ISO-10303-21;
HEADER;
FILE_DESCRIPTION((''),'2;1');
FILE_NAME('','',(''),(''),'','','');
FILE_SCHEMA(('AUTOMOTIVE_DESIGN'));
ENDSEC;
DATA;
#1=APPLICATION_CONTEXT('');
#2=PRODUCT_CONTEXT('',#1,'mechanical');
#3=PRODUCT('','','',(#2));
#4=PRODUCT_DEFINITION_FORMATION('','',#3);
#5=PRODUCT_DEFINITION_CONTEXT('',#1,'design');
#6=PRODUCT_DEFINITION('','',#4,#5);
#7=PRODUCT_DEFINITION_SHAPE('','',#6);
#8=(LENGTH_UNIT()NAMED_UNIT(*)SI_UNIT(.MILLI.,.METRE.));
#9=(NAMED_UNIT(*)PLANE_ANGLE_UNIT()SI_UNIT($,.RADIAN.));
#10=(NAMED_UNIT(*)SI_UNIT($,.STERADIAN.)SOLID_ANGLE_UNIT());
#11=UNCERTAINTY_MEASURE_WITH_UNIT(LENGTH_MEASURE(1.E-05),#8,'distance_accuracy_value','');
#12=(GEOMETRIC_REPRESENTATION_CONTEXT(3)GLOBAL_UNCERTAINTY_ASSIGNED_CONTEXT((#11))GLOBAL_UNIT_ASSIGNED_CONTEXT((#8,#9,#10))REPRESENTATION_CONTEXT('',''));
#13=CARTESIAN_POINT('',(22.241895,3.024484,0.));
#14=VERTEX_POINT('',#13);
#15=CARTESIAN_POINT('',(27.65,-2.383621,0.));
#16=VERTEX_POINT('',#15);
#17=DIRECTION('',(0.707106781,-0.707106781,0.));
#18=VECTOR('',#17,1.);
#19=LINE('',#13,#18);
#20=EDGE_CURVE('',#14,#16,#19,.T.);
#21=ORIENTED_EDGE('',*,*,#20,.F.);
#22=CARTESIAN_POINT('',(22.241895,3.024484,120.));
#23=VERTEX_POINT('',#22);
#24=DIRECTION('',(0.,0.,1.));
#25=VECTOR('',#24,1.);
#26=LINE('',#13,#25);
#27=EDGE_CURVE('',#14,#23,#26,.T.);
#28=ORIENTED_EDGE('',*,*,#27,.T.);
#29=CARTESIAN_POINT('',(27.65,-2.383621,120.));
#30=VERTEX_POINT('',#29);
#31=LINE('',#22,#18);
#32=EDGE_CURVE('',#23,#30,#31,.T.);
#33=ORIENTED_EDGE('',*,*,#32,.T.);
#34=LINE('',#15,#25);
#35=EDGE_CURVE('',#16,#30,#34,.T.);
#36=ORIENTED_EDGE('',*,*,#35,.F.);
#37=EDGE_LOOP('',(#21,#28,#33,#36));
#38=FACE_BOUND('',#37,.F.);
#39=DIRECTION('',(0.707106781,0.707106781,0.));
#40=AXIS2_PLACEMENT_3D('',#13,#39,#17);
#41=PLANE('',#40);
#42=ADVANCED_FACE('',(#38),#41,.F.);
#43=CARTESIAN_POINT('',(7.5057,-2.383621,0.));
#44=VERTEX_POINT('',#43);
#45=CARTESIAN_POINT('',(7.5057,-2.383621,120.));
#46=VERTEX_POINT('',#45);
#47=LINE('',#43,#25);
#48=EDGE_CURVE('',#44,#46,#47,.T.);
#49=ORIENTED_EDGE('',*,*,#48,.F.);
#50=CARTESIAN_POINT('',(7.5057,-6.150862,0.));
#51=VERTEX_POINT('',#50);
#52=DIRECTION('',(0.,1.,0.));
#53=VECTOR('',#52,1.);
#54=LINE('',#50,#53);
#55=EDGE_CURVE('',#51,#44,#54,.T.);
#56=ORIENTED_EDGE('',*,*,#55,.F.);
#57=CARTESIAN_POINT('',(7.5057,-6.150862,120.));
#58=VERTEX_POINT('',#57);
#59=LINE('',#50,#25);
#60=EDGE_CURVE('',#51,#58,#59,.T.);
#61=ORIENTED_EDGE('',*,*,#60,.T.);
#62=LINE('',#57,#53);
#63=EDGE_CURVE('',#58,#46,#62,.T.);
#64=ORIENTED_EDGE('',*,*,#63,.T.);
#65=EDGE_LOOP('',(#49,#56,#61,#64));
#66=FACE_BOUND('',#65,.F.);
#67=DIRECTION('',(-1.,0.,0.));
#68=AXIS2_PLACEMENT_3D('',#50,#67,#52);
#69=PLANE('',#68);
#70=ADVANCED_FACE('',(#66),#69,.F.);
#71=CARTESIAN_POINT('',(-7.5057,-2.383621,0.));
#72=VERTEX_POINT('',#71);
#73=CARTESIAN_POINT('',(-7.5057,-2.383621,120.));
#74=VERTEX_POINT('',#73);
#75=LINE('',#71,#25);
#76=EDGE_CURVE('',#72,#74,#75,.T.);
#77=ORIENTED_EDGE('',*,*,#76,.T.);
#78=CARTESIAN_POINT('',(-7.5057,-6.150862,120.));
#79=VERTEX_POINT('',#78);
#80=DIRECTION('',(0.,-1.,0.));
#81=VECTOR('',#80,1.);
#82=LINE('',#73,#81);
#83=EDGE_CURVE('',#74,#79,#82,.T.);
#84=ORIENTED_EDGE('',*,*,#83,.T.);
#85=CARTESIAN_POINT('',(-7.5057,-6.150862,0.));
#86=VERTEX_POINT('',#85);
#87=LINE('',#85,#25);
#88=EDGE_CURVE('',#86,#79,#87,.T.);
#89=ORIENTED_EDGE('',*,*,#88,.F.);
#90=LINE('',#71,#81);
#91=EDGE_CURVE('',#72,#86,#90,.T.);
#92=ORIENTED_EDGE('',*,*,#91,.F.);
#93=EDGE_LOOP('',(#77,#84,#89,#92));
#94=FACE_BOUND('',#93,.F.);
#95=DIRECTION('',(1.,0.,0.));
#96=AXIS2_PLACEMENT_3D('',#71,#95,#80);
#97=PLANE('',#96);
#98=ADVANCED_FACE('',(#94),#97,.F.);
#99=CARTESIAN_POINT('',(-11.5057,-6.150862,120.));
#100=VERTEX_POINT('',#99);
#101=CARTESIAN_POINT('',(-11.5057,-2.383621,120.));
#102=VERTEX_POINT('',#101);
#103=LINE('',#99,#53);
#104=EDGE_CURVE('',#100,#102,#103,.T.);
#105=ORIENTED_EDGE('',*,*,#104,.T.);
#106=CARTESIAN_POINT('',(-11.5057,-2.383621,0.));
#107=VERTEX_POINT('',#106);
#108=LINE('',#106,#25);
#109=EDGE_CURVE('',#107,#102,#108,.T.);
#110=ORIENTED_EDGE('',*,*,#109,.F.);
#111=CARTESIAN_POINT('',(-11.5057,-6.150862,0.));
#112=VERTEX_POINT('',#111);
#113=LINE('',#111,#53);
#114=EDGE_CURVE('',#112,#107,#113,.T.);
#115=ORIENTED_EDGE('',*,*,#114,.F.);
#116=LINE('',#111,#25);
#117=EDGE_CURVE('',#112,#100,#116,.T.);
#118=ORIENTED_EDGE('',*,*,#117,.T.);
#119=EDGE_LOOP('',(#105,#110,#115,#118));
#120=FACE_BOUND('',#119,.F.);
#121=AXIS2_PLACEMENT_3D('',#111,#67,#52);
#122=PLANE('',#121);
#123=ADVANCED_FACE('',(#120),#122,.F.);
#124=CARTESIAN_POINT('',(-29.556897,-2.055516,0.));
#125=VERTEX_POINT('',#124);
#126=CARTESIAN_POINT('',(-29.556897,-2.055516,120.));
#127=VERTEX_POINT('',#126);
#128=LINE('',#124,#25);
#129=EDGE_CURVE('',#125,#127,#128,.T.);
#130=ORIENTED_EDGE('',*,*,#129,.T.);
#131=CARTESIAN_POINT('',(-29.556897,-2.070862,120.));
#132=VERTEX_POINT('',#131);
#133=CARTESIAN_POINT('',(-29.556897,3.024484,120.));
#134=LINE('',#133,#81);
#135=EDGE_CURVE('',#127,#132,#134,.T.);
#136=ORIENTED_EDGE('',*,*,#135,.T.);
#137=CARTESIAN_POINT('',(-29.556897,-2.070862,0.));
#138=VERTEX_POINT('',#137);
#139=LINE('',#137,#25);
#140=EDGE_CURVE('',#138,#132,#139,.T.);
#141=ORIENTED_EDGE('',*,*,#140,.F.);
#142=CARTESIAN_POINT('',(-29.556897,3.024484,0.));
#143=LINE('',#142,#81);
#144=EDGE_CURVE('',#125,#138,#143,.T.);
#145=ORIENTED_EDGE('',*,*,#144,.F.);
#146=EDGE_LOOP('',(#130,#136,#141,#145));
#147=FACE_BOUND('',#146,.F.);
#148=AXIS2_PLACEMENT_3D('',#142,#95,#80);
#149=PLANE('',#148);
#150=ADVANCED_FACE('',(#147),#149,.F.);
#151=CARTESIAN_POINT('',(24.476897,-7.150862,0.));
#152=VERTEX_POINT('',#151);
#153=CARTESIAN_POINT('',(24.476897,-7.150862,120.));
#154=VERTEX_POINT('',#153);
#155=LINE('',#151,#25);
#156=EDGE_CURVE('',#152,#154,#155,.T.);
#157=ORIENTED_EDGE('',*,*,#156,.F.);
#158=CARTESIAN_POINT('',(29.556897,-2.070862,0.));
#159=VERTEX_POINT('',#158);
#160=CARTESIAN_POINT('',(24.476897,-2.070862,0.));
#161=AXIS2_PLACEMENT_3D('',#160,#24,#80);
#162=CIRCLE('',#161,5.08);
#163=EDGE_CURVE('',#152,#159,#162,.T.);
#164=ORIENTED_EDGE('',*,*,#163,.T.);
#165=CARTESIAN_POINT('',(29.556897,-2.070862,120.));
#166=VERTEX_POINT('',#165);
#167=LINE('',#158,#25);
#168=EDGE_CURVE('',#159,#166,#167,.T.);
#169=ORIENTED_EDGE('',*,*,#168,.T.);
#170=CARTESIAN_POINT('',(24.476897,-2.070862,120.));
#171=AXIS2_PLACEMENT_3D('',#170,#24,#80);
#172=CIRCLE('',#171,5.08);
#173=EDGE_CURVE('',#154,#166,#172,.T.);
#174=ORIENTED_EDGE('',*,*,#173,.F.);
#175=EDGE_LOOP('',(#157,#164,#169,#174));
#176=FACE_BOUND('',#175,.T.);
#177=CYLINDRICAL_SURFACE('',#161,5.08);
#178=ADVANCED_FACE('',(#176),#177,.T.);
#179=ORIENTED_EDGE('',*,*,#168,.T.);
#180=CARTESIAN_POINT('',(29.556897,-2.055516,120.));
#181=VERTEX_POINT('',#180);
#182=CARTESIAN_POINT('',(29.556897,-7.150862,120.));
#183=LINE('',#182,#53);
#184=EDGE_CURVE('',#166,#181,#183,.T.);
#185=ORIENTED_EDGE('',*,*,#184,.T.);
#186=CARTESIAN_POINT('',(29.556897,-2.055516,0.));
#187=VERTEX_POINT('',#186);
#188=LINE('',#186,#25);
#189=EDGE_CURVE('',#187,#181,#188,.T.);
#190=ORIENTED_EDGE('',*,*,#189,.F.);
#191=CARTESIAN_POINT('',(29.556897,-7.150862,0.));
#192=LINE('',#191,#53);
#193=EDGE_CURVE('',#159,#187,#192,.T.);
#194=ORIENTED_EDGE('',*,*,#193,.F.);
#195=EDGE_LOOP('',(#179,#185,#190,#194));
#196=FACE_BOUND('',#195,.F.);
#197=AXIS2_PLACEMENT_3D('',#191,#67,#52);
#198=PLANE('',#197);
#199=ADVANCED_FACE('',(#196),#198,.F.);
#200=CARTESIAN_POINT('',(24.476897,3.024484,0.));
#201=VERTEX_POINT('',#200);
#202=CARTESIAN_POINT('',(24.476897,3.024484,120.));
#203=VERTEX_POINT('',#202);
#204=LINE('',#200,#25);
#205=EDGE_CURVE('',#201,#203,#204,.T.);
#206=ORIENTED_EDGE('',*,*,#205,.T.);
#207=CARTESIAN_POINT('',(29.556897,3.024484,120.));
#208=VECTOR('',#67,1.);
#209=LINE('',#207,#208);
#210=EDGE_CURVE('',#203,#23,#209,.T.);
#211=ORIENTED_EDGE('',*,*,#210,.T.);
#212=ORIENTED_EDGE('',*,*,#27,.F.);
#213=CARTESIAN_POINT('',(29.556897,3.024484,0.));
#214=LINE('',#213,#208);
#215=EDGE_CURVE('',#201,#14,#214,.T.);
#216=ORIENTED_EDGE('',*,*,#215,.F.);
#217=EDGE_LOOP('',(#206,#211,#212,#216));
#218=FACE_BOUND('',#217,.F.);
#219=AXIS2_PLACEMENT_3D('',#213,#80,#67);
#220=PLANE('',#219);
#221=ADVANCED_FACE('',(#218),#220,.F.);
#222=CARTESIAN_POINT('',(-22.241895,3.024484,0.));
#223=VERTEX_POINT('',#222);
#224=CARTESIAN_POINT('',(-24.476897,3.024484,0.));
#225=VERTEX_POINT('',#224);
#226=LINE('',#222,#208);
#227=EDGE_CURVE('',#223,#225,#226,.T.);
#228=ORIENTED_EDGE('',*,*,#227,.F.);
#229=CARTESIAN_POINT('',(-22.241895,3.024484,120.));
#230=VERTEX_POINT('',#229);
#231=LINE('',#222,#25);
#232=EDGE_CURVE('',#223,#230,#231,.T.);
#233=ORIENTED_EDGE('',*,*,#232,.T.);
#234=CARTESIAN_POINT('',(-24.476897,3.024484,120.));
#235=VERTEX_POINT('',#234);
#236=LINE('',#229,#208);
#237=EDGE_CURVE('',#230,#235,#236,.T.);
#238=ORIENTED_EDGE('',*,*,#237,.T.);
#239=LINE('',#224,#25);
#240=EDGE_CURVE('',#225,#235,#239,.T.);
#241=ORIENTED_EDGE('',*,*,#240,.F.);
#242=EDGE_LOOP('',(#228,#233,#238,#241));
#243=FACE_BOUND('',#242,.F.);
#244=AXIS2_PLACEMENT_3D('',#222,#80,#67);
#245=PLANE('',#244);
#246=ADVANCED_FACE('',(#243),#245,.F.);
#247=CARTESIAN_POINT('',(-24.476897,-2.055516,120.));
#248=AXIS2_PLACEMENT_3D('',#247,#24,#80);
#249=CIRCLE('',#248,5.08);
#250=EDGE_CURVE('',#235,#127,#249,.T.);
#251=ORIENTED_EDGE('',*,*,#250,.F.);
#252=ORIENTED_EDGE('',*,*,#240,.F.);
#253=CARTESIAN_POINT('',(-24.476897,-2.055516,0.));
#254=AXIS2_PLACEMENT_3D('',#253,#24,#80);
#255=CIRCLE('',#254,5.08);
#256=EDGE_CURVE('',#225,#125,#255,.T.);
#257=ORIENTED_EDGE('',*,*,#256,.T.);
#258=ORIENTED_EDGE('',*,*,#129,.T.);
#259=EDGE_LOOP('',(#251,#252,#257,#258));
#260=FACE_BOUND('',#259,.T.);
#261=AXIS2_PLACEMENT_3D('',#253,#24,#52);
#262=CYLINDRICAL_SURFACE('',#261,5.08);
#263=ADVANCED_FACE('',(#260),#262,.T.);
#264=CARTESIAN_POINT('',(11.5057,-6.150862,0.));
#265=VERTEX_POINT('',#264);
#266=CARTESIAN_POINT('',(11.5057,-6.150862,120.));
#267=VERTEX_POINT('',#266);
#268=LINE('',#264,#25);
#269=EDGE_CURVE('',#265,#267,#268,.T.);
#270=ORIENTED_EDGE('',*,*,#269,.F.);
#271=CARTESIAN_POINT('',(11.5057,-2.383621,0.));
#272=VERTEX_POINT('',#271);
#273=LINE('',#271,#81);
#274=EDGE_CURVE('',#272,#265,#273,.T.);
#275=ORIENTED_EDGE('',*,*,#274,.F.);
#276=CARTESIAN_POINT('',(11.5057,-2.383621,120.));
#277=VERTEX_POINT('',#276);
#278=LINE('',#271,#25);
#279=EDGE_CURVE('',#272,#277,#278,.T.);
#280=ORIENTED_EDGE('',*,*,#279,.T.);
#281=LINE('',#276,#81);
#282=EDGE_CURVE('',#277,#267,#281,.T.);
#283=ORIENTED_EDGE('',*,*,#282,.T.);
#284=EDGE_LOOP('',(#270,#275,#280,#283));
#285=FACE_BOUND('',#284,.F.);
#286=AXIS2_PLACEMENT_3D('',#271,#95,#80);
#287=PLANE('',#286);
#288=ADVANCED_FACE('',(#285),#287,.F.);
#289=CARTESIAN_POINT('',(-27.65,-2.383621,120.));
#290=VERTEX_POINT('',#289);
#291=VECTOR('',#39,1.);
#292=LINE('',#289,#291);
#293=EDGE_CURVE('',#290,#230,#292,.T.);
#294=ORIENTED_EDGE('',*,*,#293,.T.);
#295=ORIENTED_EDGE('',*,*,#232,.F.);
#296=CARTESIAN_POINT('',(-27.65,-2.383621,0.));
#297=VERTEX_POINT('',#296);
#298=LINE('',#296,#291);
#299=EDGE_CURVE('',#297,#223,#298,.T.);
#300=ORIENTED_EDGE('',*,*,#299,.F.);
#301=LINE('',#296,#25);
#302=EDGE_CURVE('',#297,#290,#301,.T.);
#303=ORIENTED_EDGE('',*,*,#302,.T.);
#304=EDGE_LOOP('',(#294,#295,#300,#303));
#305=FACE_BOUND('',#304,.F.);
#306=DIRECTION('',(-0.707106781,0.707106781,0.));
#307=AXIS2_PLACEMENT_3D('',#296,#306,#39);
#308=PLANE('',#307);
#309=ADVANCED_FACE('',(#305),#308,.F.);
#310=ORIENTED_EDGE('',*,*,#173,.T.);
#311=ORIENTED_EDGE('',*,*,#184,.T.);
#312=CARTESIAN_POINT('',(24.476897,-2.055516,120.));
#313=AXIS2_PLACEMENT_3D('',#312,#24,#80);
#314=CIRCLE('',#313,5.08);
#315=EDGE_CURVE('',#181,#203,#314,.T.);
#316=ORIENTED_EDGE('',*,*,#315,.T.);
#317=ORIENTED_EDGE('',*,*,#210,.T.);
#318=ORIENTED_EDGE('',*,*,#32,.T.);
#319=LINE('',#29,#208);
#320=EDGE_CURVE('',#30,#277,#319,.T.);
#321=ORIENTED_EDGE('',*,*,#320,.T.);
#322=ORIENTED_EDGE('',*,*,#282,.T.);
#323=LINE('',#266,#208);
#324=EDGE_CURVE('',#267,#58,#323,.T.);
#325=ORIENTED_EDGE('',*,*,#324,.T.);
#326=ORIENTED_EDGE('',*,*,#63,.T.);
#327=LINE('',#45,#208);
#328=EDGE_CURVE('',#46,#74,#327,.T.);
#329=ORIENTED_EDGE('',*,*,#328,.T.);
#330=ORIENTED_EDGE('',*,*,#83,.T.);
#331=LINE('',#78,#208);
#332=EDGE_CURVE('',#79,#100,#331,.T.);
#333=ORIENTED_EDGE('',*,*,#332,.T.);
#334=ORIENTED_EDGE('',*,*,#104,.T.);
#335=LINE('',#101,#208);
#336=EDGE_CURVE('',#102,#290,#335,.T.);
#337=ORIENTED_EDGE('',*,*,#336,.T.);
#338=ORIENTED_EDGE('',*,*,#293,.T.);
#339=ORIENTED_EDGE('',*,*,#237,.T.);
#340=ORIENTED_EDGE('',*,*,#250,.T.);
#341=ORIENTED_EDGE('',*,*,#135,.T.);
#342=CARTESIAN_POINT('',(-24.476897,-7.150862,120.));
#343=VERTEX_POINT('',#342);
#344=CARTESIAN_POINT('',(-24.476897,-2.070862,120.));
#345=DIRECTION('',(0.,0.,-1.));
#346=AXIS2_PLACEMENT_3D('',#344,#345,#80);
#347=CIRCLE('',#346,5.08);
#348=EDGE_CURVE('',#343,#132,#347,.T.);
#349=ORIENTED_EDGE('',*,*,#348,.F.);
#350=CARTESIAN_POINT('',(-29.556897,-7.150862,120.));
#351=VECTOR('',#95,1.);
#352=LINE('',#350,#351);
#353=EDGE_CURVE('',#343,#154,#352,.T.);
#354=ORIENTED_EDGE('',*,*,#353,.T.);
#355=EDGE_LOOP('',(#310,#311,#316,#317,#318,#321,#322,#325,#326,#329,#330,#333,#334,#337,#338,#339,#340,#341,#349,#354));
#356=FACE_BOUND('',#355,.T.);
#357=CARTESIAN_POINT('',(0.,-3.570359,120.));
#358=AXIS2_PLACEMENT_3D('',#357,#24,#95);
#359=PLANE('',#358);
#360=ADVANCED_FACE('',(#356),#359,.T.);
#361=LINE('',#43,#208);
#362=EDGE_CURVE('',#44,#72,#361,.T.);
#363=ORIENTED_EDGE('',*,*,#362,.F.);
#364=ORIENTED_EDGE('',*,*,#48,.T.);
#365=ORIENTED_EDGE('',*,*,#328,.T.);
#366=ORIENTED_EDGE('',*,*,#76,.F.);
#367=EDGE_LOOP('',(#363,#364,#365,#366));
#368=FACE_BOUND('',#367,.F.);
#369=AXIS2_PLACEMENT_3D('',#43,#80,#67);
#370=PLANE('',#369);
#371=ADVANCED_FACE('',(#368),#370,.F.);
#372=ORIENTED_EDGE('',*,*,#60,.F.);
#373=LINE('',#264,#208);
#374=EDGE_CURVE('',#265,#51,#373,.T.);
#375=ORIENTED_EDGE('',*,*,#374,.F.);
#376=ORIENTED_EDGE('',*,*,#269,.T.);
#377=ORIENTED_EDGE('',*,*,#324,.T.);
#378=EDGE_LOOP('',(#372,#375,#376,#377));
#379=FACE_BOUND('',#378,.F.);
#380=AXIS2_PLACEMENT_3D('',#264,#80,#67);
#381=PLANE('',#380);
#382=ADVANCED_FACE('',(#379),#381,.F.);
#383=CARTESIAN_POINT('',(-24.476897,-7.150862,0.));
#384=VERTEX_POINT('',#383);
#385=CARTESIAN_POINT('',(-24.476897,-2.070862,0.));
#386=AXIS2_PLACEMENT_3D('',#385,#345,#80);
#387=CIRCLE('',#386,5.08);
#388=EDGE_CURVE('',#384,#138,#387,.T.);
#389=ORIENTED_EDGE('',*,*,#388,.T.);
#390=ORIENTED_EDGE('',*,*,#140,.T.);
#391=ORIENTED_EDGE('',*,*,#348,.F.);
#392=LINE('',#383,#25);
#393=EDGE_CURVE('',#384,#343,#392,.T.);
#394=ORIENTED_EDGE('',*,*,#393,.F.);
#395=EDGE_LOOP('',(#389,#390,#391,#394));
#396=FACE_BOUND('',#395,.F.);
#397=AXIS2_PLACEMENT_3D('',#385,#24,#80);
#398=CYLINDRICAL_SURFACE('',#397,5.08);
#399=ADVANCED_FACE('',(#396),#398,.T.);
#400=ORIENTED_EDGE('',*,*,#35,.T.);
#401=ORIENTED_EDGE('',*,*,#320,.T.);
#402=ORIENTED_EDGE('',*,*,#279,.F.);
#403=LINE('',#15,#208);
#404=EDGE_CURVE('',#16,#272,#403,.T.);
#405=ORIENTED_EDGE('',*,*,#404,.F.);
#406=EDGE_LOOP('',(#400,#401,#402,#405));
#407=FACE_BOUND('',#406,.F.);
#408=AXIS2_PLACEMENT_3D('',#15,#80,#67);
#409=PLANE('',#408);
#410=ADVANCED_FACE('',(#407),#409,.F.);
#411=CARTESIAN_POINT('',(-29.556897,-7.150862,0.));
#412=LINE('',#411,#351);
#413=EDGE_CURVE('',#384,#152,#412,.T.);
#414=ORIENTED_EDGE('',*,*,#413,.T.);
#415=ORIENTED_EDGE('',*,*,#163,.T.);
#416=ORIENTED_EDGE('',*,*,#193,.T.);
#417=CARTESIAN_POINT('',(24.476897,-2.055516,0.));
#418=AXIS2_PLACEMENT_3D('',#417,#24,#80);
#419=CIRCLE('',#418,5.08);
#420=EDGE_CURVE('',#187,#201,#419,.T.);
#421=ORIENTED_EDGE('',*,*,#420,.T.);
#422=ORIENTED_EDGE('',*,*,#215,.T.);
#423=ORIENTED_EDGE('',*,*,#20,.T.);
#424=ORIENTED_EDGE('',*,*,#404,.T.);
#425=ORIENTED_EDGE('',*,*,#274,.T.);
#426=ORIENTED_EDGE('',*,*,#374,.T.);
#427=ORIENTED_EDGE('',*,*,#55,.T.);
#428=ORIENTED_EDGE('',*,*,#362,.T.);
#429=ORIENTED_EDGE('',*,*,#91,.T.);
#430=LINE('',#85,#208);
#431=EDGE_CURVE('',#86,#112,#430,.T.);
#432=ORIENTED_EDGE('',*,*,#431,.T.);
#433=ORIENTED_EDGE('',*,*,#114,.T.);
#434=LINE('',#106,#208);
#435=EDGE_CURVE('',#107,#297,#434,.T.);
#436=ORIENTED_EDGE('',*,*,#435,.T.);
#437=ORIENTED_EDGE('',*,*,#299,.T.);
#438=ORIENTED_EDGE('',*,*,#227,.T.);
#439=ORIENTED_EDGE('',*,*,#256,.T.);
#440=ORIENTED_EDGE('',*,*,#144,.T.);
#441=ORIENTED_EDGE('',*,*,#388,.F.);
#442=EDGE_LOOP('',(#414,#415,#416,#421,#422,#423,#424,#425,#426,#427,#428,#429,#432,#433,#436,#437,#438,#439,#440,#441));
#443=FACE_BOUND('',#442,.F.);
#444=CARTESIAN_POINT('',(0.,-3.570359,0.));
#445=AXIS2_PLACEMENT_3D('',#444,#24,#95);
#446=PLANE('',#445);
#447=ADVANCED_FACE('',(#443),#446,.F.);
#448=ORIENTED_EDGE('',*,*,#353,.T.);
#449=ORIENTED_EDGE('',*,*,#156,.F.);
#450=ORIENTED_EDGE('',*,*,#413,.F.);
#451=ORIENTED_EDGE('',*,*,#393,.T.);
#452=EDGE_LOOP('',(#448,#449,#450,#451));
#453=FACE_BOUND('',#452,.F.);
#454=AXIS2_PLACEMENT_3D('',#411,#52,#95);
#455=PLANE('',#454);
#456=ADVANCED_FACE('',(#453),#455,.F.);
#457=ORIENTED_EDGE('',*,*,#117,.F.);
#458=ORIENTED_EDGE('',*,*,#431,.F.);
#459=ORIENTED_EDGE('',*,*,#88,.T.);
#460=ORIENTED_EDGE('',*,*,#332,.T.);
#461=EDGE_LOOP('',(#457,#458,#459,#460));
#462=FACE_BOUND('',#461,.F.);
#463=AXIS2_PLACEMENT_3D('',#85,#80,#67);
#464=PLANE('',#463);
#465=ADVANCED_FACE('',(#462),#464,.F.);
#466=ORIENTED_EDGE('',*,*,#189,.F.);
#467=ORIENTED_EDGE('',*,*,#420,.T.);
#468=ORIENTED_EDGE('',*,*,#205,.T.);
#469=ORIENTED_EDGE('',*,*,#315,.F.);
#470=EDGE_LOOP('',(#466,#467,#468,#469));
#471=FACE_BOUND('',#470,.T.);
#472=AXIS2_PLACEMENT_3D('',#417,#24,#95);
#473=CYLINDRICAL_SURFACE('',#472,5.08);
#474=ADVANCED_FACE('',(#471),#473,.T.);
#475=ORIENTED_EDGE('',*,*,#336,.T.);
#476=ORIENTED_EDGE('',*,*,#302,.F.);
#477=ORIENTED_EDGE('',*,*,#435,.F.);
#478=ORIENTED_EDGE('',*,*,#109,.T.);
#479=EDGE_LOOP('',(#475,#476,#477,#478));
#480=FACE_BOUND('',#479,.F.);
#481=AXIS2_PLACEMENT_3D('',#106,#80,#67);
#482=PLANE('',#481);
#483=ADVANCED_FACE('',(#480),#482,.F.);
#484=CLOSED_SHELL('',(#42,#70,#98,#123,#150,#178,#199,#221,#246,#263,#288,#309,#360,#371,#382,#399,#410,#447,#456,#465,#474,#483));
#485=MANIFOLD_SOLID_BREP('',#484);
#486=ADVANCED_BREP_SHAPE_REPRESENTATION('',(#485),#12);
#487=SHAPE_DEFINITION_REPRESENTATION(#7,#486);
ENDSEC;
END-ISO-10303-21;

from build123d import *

# Parameters (mm, degrees)
F1_DEPTH = 120
F2_R     = 5.08


with BuildPart() as f1:
    # F0 (on Top) → F1 (new body)
    with BuildSketch(Plane.XY):
        Polygon((-29.556897, -7.150862), (29.556897, -7.150862), (29.556897, 3.024484), (22.241895, 3.024484), (27.65, -2.383621), (11.5057, -2.383621), (11.5057, -6.150862), (7.5057, -6.150862), (7.5057, -2.383621), (-7.5057, -2.383621), (-7.5057, -6.150862), (-11.5057, -6.150862), (-11.5057, -2.383621), (-27.65, -2.383621), (-22.241895, 3.024484), (-29.556897, 3.024484), align=None)
    extrude(amount=F1_DEPTH)

    # F2
    f2_edges = [f1.edges().sort_by_distance(p)[0] for p in [
        (-29.556897, 3.024484, 60),
        (-29.556897, -7.150862, 60),
        (29.556897, -7.150862, 60),
        (29.556897, 3.024484, 60),
    ]]
    fillet(f2_edges, radius=F2_R)


solid = f1.part
